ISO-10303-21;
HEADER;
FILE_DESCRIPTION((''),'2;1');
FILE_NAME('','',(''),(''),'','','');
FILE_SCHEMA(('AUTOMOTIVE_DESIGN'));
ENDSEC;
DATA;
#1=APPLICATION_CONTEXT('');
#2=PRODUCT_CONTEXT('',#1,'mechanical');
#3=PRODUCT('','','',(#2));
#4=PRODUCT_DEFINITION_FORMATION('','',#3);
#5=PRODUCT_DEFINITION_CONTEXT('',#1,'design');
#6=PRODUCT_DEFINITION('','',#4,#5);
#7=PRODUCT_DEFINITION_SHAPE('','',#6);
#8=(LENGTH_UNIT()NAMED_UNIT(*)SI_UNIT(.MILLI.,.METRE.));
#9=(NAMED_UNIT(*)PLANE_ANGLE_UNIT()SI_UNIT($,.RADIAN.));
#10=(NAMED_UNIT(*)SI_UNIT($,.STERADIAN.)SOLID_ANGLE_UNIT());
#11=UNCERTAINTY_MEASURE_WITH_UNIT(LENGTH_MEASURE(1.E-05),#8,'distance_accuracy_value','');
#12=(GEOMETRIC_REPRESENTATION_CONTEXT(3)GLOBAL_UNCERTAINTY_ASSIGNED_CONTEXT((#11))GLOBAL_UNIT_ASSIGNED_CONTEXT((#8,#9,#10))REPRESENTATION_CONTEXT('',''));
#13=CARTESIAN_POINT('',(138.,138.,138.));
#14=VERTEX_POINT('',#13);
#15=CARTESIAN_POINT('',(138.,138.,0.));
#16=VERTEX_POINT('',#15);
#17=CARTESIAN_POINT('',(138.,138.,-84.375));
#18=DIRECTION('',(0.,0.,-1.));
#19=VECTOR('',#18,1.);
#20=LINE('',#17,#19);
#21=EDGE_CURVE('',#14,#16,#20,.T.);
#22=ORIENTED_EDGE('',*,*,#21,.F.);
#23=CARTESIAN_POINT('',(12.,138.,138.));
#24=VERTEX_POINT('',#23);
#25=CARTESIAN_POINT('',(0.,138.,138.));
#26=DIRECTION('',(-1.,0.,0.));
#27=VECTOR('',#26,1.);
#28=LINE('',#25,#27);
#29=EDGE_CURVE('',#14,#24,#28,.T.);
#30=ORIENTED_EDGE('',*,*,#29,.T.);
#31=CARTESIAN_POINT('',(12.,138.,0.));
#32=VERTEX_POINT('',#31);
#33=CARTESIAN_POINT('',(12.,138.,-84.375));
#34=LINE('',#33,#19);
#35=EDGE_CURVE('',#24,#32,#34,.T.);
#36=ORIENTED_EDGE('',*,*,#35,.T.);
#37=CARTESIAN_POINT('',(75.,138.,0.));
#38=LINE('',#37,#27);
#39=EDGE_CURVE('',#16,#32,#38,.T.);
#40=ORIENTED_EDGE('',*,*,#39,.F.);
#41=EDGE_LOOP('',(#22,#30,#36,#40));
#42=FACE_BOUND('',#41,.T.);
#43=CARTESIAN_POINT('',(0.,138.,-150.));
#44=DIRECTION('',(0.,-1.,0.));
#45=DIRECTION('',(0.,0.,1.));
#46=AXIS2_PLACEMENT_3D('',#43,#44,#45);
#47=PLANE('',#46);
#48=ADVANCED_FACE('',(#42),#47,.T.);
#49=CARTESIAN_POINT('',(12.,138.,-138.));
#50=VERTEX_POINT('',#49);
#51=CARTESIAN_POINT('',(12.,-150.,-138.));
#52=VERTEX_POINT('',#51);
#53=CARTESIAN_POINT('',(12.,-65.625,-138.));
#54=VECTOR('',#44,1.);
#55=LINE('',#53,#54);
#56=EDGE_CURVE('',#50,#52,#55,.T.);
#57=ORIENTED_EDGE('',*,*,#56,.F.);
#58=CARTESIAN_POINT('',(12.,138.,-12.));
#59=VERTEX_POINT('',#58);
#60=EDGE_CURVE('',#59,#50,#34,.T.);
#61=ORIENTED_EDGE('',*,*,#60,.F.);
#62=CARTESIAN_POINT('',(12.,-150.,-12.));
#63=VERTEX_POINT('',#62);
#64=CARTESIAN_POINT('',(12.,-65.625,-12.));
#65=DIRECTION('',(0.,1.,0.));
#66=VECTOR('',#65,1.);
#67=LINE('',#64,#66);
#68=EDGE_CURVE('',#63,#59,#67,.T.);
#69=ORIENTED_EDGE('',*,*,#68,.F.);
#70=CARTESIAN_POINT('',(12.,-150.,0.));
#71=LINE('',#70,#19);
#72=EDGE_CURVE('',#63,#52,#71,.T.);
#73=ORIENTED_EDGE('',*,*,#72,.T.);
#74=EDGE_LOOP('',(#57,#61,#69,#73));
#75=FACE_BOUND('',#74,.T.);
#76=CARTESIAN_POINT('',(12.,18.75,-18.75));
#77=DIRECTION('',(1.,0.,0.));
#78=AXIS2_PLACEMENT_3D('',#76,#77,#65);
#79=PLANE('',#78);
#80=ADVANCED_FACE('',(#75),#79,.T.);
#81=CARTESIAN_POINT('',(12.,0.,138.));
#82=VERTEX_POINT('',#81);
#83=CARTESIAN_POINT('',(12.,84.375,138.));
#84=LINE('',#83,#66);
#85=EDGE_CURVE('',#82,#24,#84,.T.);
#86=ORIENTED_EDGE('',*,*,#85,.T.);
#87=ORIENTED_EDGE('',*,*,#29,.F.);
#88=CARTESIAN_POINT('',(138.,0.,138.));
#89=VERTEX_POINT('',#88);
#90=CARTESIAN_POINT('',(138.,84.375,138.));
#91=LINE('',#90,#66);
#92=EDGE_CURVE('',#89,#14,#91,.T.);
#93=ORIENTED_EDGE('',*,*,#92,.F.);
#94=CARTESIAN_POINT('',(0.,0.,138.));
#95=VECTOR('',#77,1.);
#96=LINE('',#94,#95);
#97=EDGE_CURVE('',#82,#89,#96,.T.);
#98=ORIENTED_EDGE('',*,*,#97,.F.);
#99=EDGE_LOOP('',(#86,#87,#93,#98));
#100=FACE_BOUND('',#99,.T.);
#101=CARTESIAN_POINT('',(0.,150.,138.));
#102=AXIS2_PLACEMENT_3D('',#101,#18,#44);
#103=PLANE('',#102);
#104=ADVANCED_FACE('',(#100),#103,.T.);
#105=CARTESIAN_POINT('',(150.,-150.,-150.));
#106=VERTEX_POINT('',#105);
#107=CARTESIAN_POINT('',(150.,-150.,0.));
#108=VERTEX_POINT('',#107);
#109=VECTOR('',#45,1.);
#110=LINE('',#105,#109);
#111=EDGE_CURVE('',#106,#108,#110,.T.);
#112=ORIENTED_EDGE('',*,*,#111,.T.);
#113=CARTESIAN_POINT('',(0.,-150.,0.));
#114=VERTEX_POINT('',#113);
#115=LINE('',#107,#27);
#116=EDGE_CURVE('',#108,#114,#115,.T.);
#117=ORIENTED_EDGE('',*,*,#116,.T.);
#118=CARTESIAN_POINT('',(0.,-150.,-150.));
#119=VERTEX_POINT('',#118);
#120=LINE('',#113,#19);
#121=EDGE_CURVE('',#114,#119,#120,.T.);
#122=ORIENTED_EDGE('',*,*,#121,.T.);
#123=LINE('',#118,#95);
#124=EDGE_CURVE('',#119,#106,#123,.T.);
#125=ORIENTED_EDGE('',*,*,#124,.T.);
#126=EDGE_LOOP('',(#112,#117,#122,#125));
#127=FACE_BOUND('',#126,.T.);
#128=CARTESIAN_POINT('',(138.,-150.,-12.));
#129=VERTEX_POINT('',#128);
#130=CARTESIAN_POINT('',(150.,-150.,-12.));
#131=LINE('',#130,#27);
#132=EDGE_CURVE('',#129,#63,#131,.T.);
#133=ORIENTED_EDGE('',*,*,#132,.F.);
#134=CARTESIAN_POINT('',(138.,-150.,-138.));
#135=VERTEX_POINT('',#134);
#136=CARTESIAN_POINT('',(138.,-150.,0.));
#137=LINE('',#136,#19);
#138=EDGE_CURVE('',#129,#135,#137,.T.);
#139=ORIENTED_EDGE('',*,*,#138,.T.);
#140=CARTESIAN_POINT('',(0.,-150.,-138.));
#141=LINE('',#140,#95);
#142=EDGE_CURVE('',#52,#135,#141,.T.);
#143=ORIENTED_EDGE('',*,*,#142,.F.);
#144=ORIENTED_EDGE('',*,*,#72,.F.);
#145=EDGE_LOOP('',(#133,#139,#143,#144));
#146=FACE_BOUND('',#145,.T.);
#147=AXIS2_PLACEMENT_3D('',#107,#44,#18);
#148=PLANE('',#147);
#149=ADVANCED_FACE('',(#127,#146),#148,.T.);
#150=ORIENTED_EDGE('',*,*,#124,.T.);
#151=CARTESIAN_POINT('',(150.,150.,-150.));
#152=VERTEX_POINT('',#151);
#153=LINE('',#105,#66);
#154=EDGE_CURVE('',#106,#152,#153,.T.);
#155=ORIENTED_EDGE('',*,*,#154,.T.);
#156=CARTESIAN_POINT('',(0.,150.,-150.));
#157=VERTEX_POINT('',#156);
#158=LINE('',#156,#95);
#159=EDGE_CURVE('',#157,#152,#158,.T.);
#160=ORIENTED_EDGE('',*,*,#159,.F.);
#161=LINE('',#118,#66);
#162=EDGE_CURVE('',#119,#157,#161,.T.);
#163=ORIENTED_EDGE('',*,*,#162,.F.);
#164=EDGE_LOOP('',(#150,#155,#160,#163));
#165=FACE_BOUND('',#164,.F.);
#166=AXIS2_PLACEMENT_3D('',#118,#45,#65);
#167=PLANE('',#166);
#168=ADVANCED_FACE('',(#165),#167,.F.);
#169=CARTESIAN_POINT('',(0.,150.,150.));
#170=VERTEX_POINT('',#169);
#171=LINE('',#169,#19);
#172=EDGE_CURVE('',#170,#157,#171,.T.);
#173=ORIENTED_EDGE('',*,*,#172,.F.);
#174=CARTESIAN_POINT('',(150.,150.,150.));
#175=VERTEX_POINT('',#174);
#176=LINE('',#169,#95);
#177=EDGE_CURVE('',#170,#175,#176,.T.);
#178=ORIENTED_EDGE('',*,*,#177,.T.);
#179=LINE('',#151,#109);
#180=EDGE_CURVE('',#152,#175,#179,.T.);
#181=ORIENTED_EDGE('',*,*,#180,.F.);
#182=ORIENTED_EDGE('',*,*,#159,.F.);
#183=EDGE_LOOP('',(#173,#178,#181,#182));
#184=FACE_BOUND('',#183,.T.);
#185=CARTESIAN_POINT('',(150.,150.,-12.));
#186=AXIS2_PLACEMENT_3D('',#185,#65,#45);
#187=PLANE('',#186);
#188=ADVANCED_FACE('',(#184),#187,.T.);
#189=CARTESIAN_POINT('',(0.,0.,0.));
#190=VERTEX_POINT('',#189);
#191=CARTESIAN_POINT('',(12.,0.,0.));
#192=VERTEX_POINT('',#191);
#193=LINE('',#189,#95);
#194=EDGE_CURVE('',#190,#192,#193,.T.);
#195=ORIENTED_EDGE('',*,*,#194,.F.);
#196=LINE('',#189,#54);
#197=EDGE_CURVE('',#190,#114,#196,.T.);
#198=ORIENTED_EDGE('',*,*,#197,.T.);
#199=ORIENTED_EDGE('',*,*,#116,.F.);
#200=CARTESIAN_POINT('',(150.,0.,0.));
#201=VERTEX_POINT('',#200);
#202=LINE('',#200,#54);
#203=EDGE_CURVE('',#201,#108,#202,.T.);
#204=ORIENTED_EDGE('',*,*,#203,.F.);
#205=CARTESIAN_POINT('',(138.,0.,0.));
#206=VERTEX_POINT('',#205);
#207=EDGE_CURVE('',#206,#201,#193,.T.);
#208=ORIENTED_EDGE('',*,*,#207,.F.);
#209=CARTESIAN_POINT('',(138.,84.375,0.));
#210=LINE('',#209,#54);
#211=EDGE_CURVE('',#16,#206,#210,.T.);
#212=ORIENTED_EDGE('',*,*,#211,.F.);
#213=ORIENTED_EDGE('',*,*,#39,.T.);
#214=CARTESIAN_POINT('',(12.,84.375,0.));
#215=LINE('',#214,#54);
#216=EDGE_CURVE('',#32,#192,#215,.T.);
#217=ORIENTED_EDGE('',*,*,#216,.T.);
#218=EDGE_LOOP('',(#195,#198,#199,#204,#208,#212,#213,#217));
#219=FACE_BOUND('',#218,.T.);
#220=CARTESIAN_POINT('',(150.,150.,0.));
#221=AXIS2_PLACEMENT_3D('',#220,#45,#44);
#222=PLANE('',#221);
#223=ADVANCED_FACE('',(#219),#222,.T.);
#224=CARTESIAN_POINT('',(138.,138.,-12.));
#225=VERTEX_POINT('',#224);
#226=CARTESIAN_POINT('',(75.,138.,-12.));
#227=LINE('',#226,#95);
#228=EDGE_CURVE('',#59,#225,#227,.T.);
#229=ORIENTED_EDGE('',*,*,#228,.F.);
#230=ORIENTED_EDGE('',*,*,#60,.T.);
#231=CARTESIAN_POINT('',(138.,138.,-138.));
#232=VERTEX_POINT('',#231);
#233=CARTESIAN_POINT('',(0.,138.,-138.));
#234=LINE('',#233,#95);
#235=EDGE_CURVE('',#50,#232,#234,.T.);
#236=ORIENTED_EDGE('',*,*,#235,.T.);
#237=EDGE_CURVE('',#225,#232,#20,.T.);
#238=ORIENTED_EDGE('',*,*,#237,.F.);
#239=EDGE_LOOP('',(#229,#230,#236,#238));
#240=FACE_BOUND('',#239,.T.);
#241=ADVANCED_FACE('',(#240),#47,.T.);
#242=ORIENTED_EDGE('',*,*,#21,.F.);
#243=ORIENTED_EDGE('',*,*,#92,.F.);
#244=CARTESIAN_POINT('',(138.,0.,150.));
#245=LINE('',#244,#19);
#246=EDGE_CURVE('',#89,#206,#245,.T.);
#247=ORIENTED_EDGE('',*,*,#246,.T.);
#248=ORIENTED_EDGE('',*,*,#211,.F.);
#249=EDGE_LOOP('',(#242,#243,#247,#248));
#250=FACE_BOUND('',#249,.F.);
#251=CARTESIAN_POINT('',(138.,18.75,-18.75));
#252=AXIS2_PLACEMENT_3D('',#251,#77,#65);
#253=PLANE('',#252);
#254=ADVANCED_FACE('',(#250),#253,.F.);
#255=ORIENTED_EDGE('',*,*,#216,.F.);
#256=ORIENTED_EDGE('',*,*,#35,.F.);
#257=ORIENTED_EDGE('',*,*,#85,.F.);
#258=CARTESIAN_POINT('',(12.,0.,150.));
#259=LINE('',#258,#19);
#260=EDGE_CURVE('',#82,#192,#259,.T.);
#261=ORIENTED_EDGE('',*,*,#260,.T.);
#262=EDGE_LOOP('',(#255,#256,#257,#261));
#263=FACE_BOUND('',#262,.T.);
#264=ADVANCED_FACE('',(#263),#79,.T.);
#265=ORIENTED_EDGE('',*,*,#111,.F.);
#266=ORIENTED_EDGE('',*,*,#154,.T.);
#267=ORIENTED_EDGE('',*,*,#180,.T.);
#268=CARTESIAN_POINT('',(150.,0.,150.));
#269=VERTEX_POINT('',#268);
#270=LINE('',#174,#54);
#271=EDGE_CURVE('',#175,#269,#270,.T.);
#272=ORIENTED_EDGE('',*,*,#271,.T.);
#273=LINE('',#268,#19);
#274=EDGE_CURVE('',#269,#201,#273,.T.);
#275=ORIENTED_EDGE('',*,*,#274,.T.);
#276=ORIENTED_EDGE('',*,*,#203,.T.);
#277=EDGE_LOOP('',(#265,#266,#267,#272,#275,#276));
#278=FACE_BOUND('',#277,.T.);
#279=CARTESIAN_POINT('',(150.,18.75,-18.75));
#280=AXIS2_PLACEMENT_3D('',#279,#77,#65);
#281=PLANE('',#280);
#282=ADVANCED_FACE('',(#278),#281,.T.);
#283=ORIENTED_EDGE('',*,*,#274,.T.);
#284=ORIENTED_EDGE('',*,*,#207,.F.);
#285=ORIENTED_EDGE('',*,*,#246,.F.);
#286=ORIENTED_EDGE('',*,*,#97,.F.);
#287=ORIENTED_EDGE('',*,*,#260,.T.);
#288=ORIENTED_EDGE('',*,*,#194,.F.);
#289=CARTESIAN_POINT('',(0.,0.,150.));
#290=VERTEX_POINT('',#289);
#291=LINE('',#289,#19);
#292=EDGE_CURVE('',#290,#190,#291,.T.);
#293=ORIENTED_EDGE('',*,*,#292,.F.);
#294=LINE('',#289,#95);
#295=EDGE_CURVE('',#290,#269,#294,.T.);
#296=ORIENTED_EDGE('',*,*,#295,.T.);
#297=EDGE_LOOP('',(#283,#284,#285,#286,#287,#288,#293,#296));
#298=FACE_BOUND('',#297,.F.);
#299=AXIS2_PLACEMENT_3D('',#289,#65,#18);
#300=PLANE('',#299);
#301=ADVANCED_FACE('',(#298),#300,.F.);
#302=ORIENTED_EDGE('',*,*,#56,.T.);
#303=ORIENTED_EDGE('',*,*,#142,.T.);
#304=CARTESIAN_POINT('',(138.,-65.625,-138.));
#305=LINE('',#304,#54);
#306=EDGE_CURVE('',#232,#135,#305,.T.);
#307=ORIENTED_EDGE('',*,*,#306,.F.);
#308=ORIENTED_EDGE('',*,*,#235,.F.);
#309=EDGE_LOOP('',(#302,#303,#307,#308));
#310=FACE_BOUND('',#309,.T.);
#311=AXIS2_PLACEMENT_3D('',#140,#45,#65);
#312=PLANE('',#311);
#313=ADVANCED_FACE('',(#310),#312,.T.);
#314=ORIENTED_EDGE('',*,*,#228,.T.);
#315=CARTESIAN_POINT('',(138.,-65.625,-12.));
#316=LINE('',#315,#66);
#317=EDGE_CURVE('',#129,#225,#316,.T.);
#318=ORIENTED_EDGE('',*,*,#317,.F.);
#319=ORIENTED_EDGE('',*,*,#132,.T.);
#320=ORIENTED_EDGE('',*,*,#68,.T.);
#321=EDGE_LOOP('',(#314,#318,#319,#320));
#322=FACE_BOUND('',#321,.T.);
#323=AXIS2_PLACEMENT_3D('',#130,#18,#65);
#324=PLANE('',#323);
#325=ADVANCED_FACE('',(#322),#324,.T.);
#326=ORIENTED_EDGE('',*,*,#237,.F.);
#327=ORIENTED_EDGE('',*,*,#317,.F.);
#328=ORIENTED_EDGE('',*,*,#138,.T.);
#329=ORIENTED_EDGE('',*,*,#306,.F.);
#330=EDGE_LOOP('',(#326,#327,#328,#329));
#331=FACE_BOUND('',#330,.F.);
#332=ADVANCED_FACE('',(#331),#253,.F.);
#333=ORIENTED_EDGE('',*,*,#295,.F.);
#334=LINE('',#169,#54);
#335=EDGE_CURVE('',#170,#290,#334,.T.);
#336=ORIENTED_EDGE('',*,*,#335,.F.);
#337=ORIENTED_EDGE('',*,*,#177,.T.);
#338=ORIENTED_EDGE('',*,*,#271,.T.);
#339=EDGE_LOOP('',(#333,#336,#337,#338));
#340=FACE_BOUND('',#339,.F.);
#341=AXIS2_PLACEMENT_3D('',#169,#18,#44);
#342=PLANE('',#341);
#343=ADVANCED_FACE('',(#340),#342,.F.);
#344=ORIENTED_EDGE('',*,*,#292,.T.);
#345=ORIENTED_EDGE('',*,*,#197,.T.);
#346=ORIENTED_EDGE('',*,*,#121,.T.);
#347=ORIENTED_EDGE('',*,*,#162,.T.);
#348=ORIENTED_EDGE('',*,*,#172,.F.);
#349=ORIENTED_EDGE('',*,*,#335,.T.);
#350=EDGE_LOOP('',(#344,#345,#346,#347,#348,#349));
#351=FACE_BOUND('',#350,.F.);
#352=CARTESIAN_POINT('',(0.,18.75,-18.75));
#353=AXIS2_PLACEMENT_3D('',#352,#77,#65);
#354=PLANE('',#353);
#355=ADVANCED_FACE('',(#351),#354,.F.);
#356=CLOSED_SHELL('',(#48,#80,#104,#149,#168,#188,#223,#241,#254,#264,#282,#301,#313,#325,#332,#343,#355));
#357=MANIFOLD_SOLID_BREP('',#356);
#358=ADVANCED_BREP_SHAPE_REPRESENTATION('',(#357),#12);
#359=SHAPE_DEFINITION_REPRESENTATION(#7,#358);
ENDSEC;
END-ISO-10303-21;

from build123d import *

# Parameters (mm, degrees)
F1_DEPTH = 150
F2_T     = -12
F4_DEPTH = 150


with BuildPart() as f1:
    # F0 (on Right) → F1 (new body)
    with BuildSketch(Plane.YZ):
        Polygon((-150, -150), (150, -150), (150, 150), (0, 150), (0, 0), (-150, 0), align=None)
    extrude(amount=F1_DEPTH)

    # F2
    f2_openings = [f1.faces().sort_by_distance(p)[0] for p in [
        (75, 0, 75),
        (75, -75, 0),
        (75, -150, -75),
    ]]
    offset(amount=F2_T, openings=f2_openings)

    # F3 (on face) → F4 (join)
    with BuildSketch(Plane.YZ.offset(150)):
        Polygon((0, 0), (-150, 0), (-150, -12), (150, -12), (150, 0), align=None)
    extrude(amount=-F4_DEPTH)


solid = f1.part
